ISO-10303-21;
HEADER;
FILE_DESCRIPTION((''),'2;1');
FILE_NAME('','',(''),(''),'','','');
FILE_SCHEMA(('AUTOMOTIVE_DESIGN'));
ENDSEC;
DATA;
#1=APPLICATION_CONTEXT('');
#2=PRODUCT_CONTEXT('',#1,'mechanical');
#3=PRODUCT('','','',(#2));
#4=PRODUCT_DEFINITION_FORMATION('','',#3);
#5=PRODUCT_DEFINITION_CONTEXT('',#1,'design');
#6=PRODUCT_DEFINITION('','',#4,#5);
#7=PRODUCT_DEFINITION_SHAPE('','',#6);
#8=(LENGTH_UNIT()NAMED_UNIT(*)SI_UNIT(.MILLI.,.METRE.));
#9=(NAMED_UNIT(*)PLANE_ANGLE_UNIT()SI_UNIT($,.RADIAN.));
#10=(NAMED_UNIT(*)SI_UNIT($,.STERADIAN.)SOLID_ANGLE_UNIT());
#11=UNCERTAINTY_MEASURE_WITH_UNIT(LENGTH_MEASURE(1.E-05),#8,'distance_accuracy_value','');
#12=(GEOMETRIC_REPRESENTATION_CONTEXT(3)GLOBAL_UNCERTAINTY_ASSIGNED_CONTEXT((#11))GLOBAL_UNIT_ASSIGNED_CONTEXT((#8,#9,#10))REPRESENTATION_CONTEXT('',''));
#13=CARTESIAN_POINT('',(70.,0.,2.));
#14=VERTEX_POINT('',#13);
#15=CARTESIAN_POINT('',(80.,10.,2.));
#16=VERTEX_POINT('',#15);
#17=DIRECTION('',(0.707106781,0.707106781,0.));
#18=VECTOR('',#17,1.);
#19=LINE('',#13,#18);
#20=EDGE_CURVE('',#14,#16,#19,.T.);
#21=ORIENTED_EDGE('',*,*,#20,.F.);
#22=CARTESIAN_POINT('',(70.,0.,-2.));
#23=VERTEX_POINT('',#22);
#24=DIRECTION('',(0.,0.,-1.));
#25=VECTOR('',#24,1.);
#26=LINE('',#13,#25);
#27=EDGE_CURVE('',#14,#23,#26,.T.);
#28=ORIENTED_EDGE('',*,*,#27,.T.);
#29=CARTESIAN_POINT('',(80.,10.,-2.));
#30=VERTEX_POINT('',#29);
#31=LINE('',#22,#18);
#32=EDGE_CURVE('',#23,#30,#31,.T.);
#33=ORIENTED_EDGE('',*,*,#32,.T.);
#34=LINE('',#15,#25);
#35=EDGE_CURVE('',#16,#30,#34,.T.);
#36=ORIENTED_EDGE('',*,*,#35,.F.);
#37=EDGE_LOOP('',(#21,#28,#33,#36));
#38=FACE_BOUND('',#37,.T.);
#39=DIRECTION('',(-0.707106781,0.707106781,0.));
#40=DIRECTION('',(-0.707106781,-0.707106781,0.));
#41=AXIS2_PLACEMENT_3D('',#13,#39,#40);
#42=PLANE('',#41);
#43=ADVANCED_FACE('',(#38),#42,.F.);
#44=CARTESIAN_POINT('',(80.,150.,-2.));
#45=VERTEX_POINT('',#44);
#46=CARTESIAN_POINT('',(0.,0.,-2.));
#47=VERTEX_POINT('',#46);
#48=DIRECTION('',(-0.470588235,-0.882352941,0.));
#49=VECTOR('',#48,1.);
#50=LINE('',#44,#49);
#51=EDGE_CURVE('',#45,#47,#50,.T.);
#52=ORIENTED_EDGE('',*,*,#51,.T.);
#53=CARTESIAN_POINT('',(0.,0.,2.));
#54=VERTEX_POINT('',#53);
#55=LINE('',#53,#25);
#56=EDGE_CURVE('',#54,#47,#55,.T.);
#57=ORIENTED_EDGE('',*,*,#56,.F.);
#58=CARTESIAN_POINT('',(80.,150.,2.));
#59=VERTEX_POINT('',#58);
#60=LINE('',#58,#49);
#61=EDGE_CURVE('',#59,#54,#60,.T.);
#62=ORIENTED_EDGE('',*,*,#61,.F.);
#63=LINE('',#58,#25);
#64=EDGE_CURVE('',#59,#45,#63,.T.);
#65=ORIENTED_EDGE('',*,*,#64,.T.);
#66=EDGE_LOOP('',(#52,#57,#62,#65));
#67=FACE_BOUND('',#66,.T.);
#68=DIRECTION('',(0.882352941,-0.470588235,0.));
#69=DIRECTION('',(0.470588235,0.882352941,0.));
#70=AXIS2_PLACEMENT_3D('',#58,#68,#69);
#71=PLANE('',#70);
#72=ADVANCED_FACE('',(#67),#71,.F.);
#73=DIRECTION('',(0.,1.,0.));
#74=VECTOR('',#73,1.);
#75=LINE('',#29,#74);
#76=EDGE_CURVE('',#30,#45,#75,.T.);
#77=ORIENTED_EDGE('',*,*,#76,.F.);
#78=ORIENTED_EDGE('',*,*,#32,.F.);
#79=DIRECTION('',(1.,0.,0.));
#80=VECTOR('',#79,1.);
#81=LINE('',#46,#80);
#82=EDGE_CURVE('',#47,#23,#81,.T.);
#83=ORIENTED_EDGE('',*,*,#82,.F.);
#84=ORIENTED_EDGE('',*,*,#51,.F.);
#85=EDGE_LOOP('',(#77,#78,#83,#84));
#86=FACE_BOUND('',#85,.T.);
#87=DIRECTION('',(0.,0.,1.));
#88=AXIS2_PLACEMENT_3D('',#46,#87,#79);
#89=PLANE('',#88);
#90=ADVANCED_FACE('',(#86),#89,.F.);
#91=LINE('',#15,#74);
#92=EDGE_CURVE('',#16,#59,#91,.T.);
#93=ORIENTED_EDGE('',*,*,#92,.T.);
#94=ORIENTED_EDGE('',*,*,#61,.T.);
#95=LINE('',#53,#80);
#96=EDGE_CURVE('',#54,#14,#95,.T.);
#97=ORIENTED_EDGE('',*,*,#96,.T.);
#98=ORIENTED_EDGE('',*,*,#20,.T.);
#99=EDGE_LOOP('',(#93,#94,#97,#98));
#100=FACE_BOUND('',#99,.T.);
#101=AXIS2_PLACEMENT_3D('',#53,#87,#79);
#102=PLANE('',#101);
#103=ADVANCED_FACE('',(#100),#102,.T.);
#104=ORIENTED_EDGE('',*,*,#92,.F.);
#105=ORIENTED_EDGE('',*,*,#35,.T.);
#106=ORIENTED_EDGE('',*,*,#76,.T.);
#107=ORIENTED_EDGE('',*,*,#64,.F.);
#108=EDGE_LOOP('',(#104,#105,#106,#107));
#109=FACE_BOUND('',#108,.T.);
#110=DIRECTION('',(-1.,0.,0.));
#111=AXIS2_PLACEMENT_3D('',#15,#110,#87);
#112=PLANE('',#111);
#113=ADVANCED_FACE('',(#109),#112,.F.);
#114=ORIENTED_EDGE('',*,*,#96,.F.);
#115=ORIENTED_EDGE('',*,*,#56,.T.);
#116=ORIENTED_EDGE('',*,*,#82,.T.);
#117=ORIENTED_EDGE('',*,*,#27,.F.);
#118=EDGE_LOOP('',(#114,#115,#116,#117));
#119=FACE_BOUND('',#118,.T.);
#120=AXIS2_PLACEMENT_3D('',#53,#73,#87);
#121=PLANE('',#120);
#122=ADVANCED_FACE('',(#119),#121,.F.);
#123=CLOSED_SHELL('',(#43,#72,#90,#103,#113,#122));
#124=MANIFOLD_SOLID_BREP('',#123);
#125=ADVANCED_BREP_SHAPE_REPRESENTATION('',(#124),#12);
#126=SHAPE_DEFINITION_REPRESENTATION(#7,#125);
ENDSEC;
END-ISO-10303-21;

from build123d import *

# Parameters (mm, degrees)
BOSS_EXTRU_1_DEPTH = 2


with BuildPart() as part:
    # Esquisse1 → Boss.-Extru.1 (new body, symmetric)
    with BuildSketch(Plane.XY):
        Polygon((0, 0), (70, 0), (80, 10), (80, 150), align=None)
    extrude(amount=BOSS_EXTRU_1_DEPTH, both=True)


solid = part.part
